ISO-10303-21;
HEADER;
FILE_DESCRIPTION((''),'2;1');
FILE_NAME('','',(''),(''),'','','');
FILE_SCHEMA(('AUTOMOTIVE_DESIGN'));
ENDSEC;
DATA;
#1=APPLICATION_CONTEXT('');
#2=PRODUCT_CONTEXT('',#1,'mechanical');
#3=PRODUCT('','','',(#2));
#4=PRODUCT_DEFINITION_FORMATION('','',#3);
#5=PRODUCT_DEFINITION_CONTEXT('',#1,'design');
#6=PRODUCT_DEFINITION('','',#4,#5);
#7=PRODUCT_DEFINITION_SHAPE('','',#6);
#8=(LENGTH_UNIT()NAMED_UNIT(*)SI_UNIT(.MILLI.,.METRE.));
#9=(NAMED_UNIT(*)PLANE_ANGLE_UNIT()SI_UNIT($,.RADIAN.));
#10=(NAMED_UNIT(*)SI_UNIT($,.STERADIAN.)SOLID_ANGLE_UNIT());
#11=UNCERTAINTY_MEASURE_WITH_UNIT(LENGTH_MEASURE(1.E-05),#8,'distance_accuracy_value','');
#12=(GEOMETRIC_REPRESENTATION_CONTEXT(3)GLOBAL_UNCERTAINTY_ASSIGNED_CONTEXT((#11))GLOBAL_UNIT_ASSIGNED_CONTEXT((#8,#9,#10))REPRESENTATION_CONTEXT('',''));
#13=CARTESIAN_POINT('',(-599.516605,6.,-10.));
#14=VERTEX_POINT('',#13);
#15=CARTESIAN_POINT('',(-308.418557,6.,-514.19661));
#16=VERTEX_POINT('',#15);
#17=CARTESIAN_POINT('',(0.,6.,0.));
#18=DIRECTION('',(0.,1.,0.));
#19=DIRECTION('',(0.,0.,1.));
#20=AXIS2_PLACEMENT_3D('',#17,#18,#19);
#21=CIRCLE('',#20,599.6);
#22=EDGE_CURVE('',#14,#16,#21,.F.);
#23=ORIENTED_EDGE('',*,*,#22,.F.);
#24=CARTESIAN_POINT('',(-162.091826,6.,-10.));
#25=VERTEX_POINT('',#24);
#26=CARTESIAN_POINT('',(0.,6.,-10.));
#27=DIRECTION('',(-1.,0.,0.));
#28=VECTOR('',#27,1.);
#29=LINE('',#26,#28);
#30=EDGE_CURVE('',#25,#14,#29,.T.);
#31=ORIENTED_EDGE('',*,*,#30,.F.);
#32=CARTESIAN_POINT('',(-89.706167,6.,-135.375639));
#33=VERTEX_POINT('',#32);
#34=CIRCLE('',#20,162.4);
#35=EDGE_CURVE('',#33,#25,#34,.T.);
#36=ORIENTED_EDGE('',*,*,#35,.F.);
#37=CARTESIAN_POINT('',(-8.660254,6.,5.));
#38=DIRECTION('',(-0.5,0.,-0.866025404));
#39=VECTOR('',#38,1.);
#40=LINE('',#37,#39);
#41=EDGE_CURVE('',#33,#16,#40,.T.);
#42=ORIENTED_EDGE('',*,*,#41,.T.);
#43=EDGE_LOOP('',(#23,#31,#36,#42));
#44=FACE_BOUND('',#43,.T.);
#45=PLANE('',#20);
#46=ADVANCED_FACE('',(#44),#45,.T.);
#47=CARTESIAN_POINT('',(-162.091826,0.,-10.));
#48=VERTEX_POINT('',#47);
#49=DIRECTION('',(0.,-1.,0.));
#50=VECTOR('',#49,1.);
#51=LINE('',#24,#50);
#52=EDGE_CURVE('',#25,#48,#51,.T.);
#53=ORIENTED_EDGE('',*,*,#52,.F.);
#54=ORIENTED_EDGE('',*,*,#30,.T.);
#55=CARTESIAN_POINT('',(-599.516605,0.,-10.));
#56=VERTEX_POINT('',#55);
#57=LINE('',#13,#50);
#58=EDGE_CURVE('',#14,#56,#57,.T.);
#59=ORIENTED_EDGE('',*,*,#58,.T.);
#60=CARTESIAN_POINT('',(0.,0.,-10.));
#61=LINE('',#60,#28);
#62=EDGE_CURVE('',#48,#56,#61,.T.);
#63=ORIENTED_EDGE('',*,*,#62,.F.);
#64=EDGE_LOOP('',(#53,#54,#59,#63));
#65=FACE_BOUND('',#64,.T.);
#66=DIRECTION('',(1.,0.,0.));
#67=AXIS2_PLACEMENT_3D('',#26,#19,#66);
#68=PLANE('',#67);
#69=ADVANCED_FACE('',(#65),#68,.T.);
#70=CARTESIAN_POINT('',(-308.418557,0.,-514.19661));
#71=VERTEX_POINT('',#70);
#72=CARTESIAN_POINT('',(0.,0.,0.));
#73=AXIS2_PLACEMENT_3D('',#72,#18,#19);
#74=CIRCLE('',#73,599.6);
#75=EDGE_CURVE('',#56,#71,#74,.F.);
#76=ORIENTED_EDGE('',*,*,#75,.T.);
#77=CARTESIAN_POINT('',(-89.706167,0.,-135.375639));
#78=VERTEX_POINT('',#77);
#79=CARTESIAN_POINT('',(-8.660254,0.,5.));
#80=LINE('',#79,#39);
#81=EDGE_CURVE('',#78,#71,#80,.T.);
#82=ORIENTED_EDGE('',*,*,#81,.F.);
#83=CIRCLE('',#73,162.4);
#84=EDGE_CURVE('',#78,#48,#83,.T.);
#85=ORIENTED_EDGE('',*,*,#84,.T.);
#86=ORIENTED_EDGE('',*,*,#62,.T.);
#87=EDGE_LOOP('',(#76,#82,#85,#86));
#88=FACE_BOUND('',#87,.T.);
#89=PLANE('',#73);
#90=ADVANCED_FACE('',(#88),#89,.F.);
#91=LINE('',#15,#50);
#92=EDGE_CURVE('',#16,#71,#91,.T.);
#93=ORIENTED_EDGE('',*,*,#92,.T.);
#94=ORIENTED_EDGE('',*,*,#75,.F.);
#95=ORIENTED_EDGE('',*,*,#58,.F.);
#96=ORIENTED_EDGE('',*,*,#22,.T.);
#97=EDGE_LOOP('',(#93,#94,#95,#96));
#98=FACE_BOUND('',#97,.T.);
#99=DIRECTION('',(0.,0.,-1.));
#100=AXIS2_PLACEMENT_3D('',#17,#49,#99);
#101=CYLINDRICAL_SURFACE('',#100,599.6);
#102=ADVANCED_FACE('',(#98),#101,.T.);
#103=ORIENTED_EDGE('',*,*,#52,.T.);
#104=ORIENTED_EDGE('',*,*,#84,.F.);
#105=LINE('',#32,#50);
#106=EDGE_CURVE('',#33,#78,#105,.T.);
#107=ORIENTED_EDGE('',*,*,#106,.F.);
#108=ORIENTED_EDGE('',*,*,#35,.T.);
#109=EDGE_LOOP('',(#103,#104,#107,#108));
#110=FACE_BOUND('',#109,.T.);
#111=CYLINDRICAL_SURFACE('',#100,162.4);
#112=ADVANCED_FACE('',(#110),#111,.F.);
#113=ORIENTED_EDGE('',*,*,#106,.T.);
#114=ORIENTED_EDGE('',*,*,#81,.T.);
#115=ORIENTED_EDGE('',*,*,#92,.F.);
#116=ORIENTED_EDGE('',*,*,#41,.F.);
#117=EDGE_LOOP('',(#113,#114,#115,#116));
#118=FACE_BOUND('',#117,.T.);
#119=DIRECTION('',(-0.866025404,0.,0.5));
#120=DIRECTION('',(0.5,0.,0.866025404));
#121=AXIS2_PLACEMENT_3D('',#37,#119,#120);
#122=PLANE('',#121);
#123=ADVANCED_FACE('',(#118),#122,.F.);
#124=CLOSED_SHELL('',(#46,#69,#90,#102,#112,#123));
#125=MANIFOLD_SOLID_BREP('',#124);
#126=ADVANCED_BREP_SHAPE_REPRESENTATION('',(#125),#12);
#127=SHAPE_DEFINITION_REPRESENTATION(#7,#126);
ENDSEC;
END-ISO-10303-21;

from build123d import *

# Parameters (mm, degrees)
BOSS_EXTRUDE1_DEPTH = 6


with BuildPart() as part:
    # Sketch1 → Boss-Extrude1 (new body)
    with BuildSketch(Plane(origin=(0, 0, 0), x_dir=(1, 0, 0), z_dir=(0, 1, 0))):
        with BuildLine():
            ThreePointArc((-521.750777563, 295.459449184), (-519.268832109, 299.8), (-516.750777563, 304.119703222))
            ThreePointArc((-516.750777563, 304.119703222), (-425.745445365, 422.209634839), (-308.418556675, 514.196610158))
            Line((-308.418556675, 514.196610158), (-176.260254038, 285.291715349))
            Line((-176.260254038, 285.291715349), (-171.260254038, 276.631461311))
            Line((-171.260254038, 276.631461311), (-89.706166951, 135.375638912))
            ThreePointArc((-89.706166951, 135.375638912), (-140.642525575, 81.2), (-162.091825827, 10))
            Line((-162.091825827, 10), (-325.2, 10))
            Line((-325.2, 10), (-335.2, 10))
            Line((-335.2, 10), (-599.516605275, 10))
            ThreePointArc((-599.516605275, 10), (-578.516992176, 157.601553812), (-521.750777563, 295.459449184))
        make_face()
    extrude(amount=BOSS_EXTRUDE1_DEPTH)


solid = part.part
